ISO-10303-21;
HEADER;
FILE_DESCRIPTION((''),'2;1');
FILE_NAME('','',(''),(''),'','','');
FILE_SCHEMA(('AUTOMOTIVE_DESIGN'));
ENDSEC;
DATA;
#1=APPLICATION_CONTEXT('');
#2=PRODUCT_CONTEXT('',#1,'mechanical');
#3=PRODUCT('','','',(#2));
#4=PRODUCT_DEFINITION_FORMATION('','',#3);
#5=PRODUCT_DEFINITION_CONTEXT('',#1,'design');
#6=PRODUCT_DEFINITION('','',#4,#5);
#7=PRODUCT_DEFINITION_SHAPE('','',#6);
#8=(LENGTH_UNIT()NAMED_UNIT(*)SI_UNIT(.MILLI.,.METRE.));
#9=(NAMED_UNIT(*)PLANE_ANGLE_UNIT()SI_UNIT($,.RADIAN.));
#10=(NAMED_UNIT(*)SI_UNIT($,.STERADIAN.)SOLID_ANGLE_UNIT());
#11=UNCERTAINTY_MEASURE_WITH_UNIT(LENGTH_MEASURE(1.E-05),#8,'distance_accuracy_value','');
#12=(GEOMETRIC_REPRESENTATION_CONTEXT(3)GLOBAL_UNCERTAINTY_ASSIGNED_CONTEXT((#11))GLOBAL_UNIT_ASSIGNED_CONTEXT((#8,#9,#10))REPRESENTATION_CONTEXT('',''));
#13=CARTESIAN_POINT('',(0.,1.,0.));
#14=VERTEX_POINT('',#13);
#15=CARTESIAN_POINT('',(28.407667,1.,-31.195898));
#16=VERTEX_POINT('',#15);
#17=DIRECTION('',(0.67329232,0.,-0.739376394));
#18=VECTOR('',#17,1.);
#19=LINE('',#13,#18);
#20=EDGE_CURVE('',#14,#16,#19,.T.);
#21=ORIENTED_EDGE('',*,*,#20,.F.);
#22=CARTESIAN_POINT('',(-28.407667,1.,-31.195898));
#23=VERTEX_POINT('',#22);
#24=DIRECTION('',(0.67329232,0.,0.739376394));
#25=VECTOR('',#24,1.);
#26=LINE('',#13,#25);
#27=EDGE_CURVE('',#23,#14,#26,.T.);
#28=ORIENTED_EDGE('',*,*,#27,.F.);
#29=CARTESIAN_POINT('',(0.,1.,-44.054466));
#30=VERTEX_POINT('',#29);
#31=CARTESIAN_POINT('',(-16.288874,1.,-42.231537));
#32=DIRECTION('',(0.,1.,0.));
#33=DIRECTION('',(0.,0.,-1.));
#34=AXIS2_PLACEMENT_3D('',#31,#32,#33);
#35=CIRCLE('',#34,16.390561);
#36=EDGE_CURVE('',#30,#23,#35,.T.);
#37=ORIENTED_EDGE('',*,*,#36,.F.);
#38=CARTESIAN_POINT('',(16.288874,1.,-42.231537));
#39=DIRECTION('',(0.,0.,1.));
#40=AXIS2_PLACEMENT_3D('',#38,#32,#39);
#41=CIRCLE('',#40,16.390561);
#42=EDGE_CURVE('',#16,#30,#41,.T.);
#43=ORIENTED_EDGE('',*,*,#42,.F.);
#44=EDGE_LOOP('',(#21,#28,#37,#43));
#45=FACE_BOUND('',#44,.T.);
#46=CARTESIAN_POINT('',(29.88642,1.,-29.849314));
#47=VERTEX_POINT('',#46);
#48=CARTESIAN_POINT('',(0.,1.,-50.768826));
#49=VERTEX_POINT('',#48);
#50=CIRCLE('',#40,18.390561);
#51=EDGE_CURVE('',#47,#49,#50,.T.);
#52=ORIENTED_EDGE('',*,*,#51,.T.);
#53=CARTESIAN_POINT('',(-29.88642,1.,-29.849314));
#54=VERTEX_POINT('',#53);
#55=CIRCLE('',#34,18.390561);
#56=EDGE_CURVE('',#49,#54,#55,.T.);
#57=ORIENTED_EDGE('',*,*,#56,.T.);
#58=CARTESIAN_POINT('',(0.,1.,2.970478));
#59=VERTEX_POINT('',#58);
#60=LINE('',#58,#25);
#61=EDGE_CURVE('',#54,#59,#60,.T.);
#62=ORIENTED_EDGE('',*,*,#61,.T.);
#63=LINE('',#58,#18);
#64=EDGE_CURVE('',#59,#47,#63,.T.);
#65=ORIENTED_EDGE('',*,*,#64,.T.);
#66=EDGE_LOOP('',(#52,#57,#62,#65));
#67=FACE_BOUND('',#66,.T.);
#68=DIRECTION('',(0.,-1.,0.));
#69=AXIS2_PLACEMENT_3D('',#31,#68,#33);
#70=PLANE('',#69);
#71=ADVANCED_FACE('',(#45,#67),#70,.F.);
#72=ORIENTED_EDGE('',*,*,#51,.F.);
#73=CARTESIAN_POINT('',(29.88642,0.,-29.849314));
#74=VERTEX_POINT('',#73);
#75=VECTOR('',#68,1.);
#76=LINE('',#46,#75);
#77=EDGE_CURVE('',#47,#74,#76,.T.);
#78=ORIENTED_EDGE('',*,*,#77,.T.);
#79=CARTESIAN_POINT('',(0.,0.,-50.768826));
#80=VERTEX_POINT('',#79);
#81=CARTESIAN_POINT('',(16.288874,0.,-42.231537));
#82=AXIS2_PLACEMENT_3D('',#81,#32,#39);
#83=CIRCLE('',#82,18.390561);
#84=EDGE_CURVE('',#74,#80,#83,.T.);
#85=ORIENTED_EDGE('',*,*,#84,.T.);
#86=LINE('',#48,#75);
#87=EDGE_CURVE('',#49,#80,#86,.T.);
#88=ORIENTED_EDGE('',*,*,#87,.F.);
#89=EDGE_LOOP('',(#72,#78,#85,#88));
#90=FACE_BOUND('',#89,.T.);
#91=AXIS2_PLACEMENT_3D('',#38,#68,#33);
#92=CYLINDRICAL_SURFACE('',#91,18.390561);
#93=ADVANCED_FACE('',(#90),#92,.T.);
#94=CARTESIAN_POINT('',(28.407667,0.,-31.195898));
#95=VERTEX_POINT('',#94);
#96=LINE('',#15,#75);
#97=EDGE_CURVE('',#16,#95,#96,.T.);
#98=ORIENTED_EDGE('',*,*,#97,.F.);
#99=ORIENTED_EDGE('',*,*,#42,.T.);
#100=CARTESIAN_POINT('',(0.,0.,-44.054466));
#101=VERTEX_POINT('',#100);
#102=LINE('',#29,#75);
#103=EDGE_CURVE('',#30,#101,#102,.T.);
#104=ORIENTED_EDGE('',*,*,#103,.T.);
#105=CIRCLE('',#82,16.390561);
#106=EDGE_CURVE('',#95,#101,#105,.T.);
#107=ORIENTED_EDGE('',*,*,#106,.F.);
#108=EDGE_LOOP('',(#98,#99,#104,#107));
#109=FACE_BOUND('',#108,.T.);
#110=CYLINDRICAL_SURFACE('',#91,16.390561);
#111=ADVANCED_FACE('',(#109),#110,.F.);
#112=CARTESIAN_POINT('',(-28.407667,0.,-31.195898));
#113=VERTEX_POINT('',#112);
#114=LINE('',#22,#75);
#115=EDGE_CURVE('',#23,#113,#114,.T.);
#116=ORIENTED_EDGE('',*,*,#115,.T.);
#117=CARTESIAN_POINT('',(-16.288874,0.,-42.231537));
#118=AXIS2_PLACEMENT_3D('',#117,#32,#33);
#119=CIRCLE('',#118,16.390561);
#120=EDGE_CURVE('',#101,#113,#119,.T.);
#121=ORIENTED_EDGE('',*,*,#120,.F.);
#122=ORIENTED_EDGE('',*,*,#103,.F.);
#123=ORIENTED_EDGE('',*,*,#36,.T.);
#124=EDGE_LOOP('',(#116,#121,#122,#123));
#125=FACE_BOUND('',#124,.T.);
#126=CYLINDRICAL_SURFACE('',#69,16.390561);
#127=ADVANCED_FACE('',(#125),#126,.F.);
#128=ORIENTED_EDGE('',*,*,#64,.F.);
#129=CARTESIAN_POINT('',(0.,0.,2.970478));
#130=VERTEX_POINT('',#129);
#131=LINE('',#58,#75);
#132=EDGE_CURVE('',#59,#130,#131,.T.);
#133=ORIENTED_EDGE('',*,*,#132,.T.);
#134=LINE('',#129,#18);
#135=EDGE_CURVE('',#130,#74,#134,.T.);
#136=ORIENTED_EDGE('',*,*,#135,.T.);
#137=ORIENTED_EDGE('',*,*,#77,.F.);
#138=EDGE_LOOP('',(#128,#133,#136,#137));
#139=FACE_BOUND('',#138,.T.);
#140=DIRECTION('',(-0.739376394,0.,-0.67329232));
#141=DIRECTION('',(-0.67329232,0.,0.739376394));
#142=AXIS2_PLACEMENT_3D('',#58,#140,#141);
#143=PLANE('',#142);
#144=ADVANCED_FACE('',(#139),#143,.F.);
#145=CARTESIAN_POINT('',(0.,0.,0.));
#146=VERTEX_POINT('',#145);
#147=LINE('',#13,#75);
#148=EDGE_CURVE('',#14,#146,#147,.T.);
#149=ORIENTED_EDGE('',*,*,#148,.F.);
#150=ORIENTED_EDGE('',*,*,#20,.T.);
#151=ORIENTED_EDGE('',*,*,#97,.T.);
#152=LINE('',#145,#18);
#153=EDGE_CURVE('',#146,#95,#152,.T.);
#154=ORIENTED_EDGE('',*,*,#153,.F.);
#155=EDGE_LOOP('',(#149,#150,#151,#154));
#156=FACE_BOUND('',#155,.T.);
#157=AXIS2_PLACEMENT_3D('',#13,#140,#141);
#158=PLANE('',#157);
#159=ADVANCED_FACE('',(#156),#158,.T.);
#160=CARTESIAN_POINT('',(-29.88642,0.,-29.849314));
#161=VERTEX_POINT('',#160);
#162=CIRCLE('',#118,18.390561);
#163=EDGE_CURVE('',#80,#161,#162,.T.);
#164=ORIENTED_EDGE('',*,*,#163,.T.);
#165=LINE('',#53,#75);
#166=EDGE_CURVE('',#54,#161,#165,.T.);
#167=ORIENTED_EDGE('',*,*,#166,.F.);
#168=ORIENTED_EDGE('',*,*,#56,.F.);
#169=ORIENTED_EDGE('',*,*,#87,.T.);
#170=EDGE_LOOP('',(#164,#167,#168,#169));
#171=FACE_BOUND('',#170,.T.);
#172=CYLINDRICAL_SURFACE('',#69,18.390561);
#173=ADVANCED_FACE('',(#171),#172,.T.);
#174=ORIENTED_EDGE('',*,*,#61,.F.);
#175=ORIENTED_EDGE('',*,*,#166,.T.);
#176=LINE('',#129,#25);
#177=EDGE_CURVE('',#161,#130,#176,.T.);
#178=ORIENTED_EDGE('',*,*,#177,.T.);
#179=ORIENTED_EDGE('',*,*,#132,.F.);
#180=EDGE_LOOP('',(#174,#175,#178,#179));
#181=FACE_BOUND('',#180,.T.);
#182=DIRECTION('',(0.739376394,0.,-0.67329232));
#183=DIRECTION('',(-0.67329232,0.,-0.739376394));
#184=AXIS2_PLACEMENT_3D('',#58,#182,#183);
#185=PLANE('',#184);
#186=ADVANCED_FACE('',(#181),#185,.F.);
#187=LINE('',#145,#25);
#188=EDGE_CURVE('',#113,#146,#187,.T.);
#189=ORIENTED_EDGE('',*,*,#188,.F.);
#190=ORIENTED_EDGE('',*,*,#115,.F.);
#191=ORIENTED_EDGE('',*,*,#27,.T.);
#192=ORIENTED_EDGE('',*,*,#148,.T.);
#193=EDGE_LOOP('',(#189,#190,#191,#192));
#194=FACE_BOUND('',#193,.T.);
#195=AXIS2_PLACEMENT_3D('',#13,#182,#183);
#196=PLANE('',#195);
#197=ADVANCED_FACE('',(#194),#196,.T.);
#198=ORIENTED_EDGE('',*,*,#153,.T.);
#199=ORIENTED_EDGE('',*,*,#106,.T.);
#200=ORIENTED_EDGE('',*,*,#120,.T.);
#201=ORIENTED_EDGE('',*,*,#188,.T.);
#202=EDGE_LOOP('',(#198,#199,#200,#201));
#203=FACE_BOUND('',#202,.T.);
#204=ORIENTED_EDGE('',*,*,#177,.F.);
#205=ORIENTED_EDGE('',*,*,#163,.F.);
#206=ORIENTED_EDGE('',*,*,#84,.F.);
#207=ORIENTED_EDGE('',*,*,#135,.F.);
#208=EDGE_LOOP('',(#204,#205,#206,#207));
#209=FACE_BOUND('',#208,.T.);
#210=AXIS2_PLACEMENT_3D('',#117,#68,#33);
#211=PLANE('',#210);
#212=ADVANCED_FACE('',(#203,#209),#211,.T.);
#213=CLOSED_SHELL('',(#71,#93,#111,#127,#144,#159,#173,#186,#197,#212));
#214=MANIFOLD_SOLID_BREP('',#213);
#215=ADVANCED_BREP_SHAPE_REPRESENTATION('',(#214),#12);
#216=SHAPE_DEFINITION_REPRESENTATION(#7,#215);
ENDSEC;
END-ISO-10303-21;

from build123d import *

# Parameters (mm, degrees)
BOSS_EXTRUDE2_DEPTH = 1


with BuildPart() as part:
    # Sketch1 → Boss-Extrude2 (new body)
    with BuildSketch(Plane(origin=(0, 0, 0), x_dir=(1, 0, 0), z_dir=(0, 1, 0))):
        with BuildLine():
            Line((0, -2.970477964), (29.886420182, 29.84931356))
            ThreePointArc((29.886420182, 29.84931356), (26.834835807, 57.297903562), (0, 50.768826482))
            ThreePointArc((0, 50.768826482), (-26.834835807, 57.297903562), (-29.886420182, 29.84931356))
            Line((-29.886420182, 29.84931356), (0, -2.970477964))
        make_face()
        with BuildLine():
            Line((0, 0), (28.407667395, 31.1958982))
            ThreePointArc((28.407667395, 31.1958982), (23.047800089, 57.163629593), (0, 44.054466297))
            ThreePointArc((0, 44.054466297), (-23.047800089, 57.163629593), (-28.407667395, 31.1958982))
            Line((-28.407667395, 31.1958982), (0, 0))
        make_face(mode=Mode.SUBTRACT)
    extrude(amount=BOSS_EXTRUDE2_DEPTH)


solid = part.part
